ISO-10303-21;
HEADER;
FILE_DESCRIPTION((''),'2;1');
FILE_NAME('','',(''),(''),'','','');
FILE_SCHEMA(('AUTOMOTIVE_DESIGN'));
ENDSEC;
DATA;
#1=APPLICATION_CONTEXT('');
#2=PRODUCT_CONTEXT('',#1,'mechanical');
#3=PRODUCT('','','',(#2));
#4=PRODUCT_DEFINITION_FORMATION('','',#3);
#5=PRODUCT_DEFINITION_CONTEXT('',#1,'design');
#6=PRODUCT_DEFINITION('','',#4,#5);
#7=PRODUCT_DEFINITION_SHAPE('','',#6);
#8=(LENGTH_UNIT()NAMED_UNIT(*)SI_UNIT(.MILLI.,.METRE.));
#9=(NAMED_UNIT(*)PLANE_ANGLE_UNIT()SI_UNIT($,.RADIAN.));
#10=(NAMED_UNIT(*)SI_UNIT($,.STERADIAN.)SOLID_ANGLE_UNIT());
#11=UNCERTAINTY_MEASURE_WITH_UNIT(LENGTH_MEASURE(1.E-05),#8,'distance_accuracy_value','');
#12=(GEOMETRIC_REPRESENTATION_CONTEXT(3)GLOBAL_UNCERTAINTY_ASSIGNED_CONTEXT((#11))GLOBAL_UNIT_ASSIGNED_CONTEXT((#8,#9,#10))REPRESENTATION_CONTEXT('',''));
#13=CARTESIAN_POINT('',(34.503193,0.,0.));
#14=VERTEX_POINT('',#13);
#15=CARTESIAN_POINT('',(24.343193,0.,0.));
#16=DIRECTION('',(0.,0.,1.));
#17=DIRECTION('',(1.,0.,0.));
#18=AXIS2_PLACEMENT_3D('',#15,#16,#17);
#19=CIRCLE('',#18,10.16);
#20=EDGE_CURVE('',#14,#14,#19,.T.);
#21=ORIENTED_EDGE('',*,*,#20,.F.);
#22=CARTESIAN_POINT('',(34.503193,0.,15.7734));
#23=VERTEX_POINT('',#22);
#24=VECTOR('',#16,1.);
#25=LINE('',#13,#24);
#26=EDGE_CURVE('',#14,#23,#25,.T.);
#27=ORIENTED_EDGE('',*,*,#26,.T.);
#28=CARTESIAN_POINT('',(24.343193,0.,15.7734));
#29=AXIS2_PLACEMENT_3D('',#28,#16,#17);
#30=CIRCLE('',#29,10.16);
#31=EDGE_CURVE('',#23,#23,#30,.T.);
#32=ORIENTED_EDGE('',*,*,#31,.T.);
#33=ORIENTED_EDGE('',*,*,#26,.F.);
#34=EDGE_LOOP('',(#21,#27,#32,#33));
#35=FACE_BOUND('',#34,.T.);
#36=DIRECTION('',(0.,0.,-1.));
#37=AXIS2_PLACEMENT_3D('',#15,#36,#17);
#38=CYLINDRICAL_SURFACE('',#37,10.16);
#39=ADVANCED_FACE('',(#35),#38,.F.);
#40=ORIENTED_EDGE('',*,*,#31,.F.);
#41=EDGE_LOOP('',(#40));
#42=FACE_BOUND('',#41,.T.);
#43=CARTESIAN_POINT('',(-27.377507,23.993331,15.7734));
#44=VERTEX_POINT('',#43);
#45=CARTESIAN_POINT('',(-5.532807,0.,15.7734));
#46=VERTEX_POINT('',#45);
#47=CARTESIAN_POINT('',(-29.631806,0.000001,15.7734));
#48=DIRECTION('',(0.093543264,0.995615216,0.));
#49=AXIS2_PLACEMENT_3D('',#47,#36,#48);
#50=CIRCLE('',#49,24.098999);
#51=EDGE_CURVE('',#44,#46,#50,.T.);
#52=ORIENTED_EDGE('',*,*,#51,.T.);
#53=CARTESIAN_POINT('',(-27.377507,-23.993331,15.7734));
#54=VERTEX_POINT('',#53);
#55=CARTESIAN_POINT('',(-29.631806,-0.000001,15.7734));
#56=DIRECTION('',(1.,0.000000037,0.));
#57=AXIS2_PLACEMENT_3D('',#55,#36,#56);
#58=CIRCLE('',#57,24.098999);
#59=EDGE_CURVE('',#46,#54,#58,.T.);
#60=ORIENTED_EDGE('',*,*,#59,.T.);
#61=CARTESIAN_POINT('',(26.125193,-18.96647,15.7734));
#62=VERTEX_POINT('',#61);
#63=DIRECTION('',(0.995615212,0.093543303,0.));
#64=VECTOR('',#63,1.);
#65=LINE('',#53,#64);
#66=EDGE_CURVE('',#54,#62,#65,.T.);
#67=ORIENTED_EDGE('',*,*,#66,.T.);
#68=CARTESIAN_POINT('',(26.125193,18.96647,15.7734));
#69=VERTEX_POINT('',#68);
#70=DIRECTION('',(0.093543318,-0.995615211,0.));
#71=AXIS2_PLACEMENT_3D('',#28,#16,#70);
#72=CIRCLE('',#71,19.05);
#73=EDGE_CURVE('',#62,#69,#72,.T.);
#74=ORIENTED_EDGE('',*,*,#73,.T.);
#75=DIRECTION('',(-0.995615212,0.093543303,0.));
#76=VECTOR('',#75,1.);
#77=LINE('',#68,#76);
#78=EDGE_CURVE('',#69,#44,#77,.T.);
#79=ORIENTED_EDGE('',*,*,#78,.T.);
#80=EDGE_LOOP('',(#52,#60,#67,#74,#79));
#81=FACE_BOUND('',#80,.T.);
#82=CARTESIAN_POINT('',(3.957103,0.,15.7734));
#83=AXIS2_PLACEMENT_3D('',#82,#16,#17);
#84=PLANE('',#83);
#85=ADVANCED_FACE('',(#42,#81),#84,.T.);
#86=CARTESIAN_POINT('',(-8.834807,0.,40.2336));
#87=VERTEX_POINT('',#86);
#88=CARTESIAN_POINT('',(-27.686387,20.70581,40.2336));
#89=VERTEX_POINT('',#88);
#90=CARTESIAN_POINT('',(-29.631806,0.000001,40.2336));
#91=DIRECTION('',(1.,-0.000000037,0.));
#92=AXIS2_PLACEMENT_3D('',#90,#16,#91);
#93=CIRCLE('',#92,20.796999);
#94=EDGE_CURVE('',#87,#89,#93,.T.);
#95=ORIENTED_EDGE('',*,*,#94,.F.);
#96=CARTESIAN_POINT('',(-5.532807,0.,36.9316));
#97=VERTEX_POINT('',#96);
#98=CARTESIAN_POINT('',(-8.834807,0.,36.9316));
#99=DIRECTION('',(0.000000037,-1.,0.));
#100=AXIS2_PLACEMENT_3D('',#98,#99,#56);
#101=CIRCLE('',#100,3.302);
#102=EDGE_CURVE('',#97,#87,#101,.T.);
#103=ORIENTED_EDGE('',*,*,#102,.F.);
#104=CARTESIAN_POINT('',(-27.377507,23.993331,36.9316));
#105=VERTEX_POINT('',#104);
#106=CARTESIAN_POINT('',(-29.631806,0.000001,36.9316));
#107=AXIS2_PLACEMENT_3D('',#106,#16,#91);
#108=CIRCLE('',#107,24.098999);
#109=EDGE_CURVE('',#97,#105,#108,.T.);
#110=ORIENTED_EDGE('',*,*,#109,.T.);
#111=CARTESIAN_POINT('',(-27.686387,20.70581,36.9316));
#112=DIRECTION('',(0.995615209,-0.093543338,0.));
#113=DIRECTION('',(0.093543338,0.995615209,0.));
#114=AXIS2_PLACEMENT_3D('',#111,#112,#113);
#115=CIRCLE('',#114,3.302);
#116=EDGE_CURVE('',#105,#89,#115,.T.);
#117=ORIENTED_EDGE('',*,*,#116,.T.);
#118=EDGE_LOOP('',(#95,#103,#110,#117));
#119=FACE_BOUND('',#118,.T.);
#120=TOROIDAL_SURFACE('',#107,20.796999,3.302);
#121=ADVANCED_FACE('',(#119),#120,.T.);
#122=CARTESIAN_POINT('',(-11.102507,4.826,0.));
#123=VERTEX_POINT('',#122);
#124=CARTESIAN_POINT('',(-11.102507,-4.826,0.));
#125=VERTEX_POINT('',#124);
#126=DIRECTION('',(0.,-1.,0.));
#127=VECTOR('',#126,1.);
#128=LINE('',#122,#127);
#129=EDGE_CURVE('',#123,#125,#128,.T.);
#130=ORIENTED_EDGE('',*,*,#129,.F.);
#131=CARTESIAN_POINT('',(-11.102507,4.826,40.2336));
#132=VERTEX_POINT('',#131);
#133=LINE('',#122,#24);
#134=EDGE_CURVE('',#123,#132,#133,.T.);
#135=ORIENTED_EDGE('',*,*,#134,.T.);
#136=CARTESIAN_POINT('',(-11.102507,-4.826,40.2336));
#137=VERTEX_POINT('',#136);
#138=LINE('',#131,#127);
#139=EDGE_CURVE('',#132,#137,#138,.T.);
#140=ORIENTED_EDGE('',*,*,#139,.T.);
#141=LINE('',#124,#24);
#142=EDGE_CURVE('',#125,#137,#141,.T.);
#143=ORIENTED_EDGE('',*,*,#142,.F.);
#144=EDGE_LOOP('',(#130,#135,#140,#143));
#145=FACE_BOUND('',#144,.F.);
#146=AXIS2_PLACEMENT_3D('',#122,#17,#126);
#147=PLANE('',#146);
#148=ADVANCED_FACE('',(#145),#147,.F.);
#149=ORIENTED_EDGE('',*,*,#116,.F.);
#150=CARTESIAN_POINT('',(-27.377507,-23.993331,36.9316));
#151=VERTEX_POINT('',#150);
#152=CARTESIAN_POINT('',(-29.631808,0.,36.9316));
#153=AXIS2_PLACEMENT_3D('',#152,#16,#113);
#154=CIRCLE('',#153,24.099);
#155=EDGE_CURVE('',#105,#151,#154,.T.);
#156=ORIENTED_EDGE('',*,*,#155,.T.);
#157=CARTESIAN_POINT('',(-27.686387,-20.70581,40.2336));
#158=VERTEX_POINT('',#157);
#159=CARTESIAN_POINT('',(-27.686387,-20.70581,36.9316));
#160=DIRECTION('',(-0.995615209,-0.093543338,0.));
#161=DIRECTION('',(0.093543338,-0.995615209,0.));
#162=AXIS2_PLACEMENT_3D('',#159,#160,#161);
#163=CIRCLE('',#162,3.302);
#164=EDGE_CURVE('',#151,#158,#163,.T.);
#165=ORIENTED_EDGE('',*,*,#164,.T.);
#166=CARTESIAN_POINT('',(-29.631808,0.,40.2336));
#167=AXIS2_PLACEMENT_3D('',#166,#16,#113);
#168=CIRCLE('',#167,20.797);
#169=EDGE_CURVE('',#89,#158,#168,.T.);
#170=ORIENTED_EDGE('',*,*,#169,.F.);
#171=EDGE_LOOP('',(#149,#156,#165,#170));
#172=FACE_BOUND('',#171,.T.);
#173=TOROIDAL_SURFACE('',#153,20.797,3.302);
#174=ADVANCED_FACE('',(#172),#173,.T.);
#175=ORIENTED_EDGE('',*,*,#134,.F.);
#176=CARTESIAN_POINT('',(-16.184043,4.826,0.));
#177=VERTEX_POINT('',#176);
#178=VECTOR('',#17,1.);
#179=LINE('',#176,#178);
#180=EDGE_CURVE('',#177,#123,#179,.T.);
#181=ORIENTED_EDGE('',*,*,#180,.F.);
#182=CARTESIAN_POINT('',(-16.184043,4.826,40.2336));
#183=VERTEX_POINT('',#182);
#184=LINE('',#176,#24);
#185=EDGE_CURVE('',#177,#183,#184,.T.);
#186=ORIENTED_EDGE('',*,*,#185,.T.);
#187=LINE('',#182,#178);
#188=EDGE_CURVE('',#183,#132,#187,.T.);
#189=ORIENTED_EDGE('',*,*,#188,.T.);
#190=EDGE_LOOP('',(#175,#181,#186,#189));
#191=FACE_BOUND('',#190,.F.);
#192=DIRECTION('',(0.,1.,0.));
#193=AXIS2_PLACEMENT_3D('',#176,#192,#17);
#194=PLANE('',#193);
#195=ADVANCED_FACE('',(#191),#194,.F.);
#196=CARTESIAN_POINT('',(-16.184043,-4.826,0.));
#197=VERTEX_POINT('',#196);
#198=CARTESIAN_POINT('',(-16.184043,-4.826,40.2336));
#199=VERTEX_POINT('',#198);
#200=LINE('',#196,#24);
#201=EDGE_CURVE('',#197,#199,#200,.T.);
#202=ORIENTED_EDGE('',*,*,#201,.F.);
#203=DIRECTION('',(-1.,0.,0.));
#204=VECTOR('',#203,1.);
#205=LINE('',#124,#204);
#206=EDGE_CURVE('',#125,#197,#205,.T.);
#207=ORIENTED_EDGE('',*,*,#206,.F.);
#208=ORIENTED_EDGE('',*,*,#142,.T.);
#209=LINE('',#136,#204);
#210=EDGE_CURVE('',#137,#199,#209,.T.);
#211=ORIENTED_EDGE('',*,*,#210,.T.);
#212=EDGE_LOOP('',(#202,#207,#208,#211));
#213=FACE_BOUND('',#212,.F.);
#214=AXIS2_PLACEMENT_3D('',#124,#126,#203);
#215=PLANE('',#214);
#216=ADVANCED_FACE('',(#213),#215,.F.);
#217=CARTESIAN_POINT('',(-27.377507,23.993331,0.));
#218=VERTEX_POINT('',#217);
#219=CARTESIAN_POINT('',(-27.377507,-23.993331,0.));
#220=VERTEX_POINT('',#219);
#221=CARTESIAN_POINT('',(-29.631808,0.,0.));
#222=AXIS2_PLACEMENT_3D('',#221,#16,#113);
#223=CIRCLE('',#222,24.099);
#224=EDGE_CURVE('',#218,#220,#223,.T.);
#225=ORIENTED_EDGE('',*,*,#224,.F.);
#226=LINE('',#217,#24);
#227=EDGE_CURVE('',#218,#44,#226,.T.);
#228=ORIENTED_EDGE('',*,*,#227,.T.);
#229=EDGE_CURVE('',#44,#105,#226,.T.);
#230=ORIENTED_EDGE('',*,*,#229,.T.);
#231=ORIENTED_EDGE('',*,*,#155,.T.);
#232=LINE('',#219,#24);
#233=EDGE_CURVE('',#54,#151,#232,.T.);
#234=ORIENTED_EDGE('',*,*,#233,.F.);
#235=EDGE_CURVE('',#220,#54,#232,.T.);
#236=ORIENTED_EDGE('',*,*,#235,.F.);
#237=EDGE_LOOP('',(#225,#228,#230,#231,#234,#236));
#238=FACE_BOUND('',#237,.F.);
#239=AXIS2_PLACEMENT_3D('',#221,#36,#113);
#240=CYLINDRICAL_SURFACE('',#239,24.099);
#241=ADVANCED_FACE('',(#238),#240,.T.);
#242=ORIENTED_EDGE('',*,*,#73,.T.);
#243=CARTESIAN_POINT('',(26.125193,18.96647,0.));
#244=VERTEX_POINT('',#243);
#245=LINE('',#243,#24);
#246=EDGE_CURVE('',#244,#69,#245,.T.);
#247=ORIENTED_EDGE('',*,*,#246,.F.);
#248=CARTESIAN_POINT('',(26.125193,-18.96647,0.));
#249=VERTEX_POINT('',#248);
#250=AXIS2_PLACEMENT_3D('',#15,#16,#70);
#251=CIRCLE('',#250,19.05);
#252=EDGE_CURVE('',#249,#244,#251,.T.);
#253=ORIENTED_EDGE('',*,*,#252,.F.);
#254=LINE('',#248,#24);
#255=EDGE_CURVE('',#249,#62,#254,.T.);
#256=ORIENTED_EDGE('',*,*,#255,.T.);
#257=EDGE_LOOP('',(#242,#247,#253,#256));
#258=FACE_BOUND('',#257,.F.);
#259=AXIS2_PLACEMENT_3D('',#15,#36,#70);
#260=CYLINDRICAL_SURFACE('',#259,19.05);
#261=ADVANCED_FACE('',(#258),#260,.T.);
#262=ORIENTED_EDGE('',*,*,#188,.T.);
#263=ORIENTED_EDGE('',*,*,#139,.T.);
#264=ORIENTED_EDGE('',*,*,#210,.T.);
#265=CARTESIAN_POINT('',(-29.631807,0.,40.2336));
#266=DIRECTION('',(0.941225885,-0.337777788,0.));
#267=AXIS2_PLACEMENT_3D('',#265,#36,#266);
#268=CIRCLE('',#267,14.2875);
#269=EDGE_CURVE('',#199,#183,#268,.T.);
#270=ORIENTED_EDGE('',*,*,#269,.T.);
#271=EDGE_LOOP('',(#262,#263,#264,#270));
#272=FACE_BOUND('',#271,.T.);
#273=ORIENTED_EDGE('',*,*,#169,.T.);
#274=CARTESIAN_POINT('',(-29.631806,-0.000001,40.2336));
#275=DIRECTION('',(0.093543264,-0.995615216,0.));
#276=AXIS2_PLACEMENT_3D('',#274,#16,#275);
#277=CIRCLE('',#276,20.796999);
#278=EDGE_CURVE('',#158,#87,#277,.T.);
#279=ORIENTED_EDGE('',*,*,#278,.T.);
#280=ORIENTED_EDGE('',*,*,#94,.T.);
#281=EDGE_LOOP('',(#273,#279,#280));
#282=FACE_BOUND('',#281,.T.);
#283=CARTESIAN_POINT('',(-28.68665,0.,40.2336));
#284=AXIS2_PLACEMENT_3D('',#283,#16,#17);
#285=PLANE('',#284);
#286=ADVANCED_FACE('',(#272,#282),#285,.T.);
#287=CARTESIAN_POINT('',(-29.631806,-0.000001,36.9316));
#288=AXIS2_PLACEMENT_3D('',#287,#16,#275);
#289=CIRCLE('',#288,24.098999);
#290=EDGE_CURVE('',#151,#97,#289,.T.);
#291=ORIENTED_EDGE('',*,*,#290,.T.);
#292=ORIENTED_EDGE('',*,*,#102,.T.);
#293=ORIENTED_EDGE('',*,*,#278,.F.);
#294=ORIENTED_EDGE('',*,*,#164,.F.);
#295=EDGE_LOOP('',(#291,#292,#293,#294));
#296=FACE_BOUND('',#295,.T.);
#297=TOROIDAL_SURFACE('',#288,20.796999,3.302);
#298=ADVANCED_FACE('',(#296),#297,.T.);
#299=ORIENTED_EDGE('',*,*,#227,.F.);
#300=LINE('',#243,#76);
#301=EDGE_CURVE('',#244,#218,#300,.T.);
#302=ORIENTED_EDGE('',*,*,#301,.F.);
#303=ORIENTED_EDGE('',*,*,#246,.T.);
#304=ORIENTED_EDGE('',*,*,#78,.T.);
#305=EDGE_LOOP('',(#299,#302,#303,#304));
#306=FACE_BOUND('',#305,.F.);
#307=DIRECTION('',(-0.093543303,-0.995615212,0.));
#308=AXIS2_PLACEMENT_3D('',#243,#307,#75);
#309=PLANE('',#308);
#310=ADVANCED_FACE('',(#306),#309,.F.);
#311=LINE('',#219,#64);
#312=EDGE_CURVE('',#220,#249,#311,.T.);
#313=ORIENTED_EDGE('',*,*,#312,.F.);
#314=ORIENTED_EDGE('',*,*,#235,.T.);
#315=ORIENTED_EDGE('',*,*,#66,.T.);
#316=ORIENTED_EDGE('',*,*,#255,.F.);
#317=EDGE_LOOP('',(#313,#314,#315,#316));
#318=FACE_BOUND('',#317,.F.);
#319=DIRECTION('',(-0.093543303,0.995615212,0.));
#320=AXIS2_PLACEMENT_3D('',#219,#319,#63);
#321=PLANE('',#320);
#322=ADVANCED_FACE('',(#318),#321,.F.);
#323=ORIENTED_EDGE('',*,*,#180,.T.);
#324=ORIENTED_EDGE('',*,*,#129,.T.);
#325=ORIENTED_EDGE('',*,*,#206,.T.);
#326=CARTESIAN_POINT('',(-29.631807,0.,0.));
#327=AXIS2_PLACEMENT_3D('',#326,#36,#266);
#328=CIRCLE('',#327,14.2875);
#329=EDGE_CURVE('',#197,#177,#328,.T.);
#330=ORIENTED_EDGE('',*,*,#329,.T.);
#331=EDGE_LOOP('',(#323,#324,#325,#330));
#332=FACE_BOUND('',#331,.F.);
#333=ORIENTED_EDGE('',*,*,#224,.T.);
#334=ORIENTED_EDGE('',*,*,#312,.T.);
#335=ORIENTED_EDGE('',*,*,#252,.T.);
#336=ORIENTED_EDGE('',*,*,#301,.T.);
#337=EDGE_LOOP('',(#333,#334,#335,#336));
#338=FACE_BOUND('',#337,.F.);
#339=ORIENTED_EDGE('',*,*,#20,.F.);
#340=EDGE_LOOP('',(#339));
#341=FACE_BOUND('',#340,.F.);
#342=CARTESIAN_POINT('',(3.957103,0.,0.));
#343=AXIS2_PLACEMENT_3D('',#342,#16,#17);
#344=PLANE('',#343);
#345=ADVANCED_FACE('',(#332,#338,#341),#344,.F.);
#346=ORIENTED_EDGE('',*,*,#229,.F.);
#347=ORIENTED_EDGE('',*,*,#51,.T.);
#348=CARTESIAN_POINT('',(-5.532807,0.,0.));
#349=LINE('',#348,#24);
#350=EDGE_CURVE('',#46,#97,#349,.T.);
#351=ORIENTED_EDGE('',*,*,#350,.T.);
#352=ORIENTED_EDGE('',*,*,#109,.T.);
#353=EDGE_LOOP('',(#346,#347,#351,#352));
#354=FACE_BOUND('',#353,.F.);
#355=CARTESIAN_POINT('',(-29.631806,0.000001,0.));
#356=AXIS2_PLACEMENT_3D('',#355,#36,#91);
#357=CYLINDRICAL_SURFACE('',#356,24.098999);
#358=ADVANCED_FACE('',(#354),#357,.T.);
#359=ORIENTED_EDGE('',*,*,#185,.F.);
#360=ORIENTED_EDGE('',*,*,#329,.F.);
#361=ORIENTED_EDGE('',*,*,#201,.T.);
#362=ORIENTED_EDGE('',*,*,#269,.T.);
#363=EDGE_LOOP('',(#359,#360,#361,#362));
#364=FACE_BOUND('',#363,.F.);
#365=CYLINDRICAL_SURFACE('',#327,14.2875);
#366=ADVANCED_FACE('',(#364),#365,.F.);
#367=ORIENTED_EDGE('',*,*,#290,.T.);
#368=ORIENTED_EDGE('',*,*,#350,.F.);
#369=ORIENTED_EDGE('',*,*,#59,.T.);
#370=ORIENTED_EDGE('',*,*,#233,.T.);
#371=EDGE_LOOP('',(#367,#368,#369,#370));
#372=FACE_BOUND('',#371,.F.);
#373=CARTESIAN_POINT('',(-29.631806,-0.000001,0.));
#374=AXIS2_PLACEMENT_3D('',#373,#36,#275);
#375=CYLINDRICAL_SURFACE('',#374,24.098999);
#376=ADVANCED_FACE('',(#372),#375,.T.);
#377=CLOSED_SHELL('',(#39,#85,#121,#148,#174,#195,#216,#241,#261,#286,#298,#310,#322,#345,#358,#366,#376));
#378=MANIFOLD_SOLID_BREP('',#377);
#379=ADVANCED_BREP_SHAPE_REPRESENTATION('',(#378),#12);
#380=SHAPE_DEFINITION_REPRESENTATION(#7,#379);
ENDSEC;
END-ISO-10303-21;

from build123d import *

# Parameters (mm, degrees)
F1_DEPTH = 40.2336
F0_R     = 10.16
F2_DEPTH = 15.7734
F3_R     = 3.302


with BuildPart() as f1:
    # F0 (on Top) → F1 (new body)
    with BuildSketch(Plane.XY):
        with BuildLine():
            ThreePointArc((-27.377507, -23.993331), (-11.81204, -16.223986), (-5.532807, 0))
            ThreePointArc((-5.532807, 0), (-11.81204, 16.223986), (-27.377507, 23.993331))
            ThreePointArc((-27.377507, 23.993331), (-53.730808, 0), (-27.377507, -23.993331))
        make_face()
        with BuildLine():
            ThreePointArc((-16.184043, -4.826), (-43.919307, 0), (-16.184043, 4.826))
            Line((-16.184043, 4.826), (-11.102507, 4.826))
            Line((-11.102507, 4.826), (-11.102507, -4.826))
            Line((-11.102507, -4.826), (-16.184043, -4.826))
        make_face(mode=Mode.SUBTRACT)
    extrude(amount=F1_DEPTH)

    # F0 (on Top) → F2 (join)
    with BuildSketch(Plane.XY):
        with BuildLine():
            ThreePointArc((-27.377507, 23.993331), (-11.81204, 16.223986), (-5.532807, 0))
            ThreePointArc((-5.532807, 0), (-11.81204, -16.223986), (-27.377507, -23.993331))
            Line((-27.377507, -23.993331), (26.125193, -18.96647))
            ThreePointArc((26.125193, -18.96647), (43.393193, 0), (26.125193, 18.96647))
            Line((26.125193, 18.96647), (-27.377507, 23.993331))
        make_face()
        with Locations((24.343193, 0)):
            Circle(F0_R, mode=Mode.SUBTRACT)
    extrude(amount=F2_DEPTH)

    # F3
    f3_edges = [f1.edges().sort_by_distance(p)[0] for p in [
        (-31.886108, 23.993331, 40.2336),
    ]]
    fillet(f3_edges, radius=F3_R)


solid = f1.part
